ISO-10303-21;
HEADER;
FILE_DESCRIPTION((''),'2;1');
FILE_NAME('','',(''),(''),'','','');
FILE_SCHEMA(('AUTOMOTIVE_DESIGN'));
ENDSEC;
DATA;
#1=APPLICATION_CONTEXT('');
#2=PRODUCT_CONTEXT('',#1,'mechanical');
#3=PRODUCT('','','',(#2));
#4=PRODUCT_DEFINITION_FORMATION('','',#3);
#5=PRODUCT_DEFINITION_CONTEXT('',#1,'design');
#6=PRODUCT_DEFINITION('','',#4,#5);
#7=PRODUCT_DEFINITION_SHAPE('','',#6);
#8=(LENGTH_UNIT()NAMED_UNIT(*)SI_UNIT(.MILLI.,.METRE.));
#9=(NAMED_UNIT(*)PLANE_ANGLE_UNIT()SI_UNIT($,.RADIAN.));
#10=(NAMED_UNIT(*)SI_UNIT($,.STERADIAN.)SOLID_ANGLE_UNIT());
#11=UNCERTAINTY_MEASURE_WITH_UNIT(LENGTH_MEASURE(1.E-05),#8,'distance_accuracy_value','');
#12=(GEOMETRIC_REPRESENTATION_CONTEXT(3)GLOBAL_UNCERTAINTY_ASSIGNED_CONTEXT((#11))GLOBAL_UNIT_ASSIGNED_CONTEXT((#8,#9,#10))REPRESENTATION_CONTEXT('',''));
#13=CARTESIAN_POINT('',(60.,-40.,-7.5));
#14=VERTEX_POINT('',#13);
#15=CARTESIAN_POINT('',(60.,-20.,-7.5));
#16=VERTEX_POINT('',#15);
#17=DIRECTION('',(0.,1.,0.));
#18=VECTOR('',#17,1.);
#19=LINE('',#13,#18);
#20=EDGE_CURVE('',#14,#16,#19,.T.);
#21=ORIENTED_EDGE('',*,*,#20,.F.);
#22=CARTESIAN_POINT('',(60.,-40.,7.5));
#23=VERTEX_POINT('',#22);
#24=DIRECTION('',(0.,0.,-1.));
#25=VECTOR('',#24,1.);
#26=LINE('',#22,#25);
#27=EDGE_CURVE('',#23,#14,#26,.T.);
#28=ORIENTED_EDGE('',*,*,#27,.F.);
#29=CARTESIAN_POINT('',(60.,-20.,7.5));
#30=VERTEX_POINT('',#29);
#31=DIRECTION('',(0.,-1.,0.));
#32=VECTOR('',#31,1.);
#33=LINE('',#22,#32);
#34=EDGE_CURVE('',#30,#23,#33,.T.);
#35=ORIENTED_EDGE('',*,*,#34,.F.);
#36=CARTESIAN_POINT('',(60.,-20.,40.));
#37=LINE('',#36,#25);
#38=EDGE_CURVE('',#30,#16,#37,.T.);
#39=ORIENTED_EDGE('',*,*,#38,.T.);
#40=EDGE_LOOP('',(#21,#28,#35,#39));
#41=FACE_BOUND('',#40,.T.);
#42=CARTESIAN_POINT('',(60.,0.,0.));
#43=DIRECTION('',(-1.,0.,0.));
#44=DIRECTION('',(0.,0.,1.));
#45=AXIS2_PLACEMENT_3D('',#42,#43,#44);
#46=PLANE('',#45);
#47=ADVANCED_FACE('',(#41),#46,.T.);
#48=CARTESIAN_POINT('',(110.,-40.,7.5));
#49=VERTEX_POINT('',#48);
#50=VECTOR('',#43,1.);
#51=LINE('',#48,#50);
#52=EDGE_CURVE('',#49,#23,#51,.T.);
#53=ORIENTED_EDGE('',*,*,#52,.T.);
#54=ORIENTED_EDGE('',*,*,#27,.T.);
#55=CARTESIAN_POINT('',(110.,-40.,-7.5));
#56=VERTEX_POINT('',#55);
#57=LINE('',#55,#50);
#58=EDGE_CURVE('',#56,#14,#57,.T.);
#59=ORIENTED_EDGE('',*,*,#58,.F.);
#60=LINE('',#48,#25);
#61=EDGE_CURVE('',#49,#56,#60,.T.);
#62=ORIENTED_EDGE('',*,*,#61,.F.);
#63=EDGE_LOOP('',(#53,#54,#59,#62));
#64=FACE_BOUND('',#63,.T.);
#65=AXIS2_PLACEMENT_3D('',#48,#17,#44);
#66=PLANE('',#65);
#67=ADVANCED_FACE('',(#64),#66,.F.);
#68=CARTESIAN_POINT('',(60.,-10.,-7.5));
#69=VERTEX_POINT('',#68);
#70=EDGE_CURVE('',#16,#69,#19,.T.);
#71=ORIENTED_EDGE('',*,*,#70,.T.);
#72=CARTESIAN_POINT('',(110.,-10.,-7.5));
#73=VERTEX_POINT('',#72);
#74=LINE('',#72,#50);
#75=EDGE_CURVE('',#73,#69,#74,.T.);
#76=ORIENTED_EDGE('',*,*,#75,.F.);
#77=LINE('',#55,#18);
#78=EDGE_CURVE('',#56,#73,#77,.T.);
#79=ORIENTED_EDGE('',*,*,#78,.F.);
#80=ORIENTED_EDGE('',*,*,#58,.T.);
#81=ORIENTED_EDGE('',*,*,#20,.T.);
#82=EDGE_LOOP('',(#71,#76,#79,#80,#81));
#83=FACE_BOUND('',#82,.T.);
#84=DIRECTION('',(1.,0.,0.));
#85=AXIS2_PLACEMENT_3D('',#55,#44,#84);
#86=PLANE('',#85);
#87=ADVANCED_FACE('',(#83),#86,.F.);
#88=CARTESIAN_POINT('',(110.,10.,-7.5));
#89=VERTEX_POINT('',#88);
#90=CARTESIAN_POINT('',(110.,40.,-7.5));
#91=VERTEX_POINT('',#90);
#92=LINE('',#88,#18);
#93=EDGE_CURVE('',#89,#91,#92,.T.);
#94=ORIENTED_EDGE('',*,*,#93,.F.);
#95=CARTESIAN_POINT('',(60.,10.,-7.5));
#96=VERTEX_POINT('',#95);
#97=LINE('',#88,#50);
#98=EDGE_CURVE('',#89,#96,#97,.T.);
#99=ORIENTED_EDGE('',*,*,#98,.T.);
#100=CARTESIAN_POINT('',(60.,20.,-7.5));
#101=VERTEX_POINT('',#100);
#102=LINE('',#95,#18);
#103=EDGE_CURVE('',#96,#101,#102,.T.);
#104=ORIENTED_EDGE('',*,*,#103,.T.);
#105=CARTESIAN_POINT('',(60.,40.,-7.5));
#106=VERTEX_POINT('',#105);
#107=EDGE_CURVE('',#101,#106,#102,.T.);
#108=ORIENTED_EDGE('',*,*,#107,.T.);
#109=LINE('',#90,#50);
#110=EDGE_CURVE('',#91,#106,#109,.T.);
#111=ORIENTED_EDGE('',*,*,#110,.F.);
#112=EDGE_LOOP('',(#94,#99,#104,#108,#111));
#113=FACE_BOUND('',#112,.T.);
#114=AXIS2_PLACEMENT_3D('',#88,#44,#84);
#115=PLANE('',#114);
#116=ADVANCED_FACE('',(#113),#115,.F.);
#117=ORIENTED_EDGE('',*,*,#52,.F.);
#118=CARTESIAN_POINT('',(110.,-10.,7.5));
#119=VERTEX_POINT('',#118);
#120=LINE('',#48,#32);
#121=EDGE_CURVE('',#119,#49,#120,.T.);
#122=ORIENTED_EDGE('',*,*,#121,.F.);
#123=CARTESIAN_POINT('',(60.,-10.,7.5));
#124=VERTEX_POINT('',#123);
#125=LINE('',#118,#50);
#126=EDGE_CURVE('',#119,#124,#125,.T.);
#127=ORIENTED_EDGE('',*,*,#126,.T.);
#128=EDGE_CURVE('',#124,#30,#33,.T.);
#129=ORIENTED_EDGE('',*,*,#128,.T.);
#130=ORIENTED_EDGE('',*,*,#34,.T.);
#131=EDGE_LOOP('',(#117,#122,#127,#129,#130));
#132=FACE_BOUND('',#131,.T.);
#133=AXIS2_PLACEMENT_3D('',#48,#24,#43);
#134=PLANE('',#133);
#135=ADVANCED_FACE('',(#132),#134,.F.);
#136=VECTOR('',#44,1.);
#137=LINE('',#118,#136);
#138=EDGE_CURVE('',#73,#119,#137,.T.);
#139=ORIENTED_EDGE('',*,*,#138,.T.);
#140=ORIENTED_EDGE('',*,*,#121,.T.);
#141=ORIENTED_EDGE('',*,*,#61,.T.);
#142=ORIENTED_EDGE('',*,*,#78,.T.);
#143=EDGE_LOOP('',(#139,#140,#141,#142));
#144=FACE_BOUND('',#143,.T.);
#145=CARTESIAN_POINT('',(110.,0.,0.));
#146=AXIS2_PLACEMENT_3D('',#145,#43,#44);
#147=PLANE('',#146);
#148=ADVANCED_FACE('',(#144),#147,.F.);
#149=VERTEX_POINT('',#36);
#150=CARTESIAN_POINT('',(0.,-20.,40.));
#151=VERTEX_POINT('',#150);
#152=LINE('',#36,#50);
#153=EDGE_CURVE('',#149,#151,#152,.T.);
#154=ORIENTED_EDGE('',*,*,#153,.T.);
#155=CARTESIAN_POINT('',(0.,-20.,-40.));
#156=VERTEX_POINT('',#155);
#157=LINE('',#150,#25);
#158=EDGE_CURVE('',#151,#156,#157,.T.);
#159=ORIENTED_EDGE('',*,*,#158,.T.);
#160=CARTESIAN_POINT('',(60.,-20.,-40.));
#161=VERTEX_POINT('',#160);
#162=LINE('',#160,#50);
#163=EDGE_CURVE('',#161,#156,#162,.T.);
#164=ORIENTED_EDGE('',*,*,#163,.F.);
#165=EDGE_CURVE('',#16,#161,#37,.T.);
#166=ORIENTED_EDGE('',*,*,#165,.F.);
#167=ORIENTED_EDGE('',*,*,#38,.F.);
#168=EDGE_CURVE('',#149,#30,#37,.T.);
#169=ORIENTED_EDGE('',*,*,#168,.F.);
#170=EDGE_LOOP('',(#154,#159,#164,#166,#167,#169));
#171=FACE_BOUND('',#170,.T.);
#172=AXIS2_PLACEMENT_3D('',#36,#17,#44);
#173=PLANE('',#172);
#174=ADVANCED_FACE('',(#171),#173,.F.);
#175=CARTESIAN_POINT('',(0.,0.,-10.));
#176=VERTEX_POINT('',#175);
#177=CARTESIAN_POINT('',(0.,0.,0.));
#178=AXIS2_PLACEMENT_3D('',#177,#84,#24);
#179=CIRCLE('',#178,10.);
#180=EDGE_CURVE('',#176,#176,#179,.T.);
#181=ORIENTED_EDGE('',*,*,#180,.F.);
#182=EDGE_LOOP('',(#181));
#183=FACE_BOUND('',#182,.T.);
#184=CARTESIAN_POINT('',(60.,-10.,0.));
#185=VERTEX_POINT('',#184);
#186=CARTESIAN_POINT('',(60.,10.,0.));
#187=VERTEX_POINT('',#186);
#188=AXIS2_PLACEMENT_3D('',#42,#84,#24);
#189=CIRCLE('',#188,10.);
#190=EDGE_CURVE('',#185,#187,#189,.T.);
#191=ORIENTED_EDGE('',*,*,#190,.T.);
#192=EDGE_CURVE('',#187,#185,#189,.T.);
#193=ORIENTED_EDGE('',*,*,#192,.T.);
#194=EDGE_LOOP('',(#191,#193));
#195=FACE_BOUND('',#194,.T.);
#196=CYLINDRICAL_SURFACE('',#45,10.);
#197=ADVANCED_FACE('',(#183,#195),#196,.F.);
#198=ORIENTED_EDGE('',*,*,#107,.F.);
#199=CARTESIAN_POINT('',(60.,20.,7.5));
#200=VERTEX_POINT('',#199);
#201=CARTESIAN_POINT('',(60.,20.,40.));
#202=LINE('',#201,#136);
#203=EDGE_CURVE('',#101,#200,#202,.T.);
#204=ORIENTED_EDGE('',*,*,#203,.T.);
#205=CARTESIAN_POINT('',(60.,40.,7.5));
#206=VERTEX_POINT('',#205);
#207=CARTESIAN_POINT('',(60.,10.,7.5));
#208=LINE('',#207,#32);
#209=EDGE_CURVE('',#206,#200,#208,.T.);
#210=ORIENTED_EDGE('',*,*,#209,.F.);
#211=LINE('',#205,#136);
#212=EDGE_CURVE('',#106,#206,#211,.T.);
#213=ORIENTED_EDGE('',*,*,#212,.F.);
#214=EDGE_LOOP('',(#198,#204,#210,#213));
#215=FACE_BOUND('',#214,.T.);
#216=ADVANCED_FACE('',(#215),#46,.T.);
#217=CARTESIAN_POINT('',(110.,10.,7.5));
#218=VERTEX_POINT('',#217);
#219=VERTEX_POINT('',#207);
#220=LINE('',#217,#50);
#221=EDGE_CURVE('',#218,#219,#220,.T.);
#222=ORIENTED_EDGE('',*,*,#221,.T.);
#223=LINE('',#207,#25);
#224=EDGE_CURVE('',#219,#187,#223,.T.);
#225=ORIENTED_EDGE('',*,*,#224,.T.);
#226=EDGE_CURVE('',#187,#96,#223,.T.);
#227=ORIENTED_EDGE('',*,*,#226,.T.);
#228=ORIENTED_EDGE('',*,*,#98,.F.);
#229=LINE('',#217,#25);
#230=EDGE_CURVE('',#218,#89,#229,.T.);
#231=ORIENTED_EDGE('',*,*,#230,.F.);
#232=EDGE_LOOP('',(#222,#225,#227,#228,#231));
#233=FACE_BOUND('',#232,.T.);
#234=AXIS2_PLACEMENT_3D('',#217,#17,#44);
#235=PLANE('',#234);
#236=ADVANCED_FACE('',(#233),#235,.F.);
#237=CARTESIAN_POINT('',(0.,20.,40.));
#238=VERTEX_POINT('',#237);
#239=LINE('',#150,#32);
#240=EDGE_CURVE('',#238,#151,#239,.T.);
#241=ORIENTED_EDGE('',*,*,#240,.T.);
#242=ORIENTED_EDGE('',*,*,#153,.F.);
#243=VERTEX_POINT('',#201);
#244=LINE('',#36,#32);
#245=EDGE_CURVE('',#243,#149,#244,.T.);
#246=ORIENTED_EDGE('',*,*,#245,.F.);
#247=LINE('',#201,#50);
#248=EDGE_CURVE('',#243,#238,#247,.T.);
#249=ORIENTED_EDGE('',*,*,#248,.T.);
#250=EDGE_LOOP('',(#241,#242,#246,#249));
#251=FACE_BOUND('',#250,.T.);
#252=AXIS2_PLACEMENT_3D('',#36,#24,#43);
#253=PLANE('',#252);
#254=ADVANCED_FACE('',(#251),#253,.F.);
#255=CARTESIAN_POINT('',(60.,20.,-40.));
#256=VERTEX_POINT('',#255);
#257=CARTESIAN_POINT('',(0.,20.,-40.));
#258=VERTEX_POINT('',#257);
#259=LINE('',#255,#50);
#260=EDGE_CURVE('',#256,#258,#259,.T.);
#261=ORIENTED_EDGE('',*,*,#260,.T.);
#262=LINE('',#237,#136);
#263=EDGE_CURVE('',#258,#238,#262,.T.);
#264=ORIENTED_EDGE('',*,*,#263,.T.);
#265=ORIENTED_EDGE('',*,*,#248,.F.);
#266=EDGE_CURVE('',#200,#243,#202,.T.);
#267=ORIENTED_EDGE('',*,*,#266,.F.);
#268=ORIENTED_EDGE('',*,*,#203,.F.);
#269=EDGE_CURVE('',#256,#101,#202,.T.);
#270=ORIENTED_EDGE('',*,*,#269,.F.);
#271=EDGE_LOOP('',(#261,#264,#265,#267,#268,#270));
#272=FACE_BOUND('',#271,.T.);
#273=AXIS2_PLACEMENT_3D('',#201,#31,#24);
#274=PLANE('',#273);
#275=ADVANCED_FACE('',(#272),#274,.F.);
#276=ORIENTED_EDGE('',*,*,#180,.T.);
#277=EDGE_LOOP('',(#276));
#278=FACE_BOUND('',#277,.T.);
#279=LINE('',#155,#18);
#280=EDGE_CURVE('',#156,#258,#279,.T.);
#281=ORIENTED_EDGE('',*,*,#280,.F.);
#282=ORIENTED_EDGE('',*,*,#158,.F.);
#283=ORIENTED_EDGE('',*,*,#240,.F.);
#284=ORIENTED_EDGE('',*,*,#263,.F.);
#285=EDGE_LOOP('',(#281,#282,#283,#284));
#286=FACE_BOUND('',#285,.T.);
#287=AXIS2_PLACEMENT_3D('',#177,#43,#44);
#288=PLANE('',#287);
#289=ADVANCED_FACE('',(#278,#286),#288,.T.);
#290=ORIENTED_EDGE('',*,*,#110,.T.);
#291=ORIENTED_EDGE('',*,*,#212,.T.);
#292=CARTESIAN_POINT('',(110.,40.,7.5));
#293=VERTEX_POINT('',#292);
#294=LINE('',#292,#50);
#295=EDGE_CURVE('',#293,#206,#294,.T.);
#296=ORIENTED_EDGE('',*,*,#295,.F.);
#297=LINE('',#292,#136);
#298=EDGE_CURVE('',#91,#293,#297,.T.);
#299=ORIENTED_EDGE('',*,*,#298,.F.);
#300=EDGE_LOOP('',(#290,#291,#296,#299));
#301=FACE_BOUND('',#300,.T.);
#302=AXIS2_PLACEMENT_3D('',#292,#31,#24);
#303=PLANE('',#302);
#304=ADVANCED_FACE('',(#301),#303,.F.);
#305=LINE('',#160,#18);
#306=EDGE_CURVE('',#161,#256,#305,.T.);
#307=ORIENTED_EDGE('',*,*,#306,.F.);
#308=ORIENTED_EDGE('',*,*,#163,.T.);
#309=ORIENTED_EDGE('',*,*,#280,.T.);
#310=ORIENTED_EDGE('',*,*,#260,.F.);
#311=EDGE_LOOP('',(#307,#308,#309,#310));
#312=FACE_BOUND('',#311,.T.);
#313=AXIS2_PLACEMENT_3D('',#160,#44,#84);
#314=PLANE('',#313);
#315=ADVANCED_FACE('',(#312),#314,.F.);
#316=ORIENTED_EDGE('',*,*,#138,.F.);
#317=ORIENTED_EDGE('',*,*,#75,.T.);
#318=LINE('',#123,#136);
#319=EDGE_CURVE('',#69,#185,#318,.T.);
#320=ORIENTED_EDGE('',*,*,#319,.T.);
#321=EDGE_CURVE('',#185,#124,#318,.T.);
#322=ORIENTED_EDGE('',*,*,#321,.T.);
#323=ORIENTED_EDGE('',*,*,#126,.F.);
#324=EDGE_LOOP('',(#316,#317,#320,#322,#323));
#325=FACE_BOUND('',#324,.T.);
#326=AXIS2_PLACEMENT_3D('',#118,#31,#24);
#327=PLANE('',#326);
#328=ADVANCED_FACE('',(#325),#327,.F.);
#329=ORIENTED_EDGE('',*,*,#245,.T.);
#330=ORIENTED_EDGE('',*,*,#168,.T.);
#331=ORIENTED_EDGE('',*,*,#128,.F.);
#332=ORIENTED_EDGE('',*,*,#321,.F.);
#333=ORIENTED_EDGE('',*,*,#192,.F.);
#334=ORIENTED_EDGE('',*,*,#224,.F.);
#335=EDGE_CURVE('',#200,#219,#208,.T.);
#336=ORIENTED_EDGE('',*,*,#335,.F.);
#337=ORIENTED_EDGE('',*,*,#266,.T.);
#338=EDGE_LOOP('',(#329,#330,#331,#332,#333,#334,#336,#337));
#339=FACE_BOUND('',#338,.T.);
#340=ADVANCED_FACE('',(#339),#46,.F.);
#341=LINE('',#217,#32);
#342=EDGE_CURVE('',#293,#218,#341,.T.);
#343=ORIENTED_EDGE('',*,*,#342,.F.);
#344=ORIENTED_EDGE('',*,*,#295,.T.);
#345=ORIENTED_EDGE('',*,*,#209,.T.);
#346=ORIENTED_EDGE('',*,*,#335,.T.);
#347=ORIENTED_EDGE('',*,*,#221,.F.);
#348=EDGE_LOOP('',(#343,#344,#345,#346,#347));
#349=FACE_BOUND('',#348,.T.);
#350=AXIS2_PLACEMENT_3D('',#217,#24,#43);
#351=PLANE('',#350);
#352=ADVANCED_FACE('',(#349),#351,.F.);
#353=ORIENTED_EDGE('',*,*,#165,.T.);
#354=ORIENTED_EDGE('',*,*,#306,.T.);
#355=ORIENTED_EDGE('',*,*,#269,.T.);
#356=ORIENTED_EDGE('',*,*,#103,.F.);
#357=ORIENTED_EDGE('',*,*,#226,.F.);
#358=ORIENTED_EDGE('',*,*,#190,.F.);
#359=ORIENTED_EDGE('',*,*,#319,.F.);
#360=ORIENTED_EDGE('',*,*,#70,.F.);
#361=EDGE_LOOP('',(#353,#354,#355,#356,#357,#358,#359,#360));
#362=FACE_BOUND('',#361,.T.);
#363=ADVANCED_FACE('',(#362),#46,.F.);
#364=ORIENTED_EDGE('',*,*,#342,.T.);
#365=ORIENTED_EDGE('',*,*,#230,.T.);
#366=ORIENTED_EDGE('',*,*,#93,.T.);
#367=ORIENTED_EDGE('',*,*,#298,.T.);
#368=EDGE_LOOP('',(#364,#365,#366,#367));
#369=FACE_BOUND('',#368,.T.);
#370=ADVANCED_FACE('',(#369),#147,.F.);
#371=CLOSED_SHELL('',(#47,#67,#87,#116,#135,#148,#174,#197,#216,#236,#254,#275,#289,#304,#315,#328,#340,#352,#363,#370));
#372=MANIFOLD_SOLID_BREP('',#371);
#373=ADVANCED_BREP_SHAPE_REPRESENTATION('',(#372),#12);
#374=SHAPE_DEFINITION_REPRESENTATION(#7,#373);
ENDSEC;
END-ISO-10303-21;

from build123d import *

# Parameters (mm, degrees)
SKETCH1_W           = 80
SKETCH1_H           = 40
BOSS_EXTRUDE1_DEPTH = 60
SKETCH2_R           = 10
CUT_EXTRUDE1_DEPTH  = 60
SKETCH3_W           = 15
SKETCH3_H           = 30
BOSS_EXTRUDE2_DEPTH = 50


with BuildPart() as part:
    # Sketch1 → Boss-Extrude1 (new body)
    with BuildSketch(Plane(origin=(0, 0, 0), x_dir=(0, 0, -1), z_dir=(1, 0, 0))):
        Rectangle(SKETCH1_W, SKETCH1_H)
    extrude(amount=BOSS_EXTRUDE1_DEPTH)

    # Sketch2 → Cut-Extrude1 (cut)
    with BuildSketch(Plane(origin=(0, 0, 0), x_dir=(0, 0, -1), z_dir=(1, 0, 0))):
        Circle(SKETCH2_R)
    extrude(amount=CUT_EXTRUDE1_DEPTH, mode=Mode.SUBTRACT)

    # Sketch3 → Boss-Extrude2 (add)
    with BuildSketch(Plane(origin=(60, 0, 0), x_dir=(0, 0, -1), z_dir=(1, 0, 0))):
        with Locations((0, 25)):
            Rectangle(SKETCH3_W, SKETCH3_H)
        with Locations((0, -25)):
            Rectangle(SKETCH3_W, SKETCH3_H)
    extrude(amount=BOSS_EXTRUDE2_DEPTH)


solid = part.part
